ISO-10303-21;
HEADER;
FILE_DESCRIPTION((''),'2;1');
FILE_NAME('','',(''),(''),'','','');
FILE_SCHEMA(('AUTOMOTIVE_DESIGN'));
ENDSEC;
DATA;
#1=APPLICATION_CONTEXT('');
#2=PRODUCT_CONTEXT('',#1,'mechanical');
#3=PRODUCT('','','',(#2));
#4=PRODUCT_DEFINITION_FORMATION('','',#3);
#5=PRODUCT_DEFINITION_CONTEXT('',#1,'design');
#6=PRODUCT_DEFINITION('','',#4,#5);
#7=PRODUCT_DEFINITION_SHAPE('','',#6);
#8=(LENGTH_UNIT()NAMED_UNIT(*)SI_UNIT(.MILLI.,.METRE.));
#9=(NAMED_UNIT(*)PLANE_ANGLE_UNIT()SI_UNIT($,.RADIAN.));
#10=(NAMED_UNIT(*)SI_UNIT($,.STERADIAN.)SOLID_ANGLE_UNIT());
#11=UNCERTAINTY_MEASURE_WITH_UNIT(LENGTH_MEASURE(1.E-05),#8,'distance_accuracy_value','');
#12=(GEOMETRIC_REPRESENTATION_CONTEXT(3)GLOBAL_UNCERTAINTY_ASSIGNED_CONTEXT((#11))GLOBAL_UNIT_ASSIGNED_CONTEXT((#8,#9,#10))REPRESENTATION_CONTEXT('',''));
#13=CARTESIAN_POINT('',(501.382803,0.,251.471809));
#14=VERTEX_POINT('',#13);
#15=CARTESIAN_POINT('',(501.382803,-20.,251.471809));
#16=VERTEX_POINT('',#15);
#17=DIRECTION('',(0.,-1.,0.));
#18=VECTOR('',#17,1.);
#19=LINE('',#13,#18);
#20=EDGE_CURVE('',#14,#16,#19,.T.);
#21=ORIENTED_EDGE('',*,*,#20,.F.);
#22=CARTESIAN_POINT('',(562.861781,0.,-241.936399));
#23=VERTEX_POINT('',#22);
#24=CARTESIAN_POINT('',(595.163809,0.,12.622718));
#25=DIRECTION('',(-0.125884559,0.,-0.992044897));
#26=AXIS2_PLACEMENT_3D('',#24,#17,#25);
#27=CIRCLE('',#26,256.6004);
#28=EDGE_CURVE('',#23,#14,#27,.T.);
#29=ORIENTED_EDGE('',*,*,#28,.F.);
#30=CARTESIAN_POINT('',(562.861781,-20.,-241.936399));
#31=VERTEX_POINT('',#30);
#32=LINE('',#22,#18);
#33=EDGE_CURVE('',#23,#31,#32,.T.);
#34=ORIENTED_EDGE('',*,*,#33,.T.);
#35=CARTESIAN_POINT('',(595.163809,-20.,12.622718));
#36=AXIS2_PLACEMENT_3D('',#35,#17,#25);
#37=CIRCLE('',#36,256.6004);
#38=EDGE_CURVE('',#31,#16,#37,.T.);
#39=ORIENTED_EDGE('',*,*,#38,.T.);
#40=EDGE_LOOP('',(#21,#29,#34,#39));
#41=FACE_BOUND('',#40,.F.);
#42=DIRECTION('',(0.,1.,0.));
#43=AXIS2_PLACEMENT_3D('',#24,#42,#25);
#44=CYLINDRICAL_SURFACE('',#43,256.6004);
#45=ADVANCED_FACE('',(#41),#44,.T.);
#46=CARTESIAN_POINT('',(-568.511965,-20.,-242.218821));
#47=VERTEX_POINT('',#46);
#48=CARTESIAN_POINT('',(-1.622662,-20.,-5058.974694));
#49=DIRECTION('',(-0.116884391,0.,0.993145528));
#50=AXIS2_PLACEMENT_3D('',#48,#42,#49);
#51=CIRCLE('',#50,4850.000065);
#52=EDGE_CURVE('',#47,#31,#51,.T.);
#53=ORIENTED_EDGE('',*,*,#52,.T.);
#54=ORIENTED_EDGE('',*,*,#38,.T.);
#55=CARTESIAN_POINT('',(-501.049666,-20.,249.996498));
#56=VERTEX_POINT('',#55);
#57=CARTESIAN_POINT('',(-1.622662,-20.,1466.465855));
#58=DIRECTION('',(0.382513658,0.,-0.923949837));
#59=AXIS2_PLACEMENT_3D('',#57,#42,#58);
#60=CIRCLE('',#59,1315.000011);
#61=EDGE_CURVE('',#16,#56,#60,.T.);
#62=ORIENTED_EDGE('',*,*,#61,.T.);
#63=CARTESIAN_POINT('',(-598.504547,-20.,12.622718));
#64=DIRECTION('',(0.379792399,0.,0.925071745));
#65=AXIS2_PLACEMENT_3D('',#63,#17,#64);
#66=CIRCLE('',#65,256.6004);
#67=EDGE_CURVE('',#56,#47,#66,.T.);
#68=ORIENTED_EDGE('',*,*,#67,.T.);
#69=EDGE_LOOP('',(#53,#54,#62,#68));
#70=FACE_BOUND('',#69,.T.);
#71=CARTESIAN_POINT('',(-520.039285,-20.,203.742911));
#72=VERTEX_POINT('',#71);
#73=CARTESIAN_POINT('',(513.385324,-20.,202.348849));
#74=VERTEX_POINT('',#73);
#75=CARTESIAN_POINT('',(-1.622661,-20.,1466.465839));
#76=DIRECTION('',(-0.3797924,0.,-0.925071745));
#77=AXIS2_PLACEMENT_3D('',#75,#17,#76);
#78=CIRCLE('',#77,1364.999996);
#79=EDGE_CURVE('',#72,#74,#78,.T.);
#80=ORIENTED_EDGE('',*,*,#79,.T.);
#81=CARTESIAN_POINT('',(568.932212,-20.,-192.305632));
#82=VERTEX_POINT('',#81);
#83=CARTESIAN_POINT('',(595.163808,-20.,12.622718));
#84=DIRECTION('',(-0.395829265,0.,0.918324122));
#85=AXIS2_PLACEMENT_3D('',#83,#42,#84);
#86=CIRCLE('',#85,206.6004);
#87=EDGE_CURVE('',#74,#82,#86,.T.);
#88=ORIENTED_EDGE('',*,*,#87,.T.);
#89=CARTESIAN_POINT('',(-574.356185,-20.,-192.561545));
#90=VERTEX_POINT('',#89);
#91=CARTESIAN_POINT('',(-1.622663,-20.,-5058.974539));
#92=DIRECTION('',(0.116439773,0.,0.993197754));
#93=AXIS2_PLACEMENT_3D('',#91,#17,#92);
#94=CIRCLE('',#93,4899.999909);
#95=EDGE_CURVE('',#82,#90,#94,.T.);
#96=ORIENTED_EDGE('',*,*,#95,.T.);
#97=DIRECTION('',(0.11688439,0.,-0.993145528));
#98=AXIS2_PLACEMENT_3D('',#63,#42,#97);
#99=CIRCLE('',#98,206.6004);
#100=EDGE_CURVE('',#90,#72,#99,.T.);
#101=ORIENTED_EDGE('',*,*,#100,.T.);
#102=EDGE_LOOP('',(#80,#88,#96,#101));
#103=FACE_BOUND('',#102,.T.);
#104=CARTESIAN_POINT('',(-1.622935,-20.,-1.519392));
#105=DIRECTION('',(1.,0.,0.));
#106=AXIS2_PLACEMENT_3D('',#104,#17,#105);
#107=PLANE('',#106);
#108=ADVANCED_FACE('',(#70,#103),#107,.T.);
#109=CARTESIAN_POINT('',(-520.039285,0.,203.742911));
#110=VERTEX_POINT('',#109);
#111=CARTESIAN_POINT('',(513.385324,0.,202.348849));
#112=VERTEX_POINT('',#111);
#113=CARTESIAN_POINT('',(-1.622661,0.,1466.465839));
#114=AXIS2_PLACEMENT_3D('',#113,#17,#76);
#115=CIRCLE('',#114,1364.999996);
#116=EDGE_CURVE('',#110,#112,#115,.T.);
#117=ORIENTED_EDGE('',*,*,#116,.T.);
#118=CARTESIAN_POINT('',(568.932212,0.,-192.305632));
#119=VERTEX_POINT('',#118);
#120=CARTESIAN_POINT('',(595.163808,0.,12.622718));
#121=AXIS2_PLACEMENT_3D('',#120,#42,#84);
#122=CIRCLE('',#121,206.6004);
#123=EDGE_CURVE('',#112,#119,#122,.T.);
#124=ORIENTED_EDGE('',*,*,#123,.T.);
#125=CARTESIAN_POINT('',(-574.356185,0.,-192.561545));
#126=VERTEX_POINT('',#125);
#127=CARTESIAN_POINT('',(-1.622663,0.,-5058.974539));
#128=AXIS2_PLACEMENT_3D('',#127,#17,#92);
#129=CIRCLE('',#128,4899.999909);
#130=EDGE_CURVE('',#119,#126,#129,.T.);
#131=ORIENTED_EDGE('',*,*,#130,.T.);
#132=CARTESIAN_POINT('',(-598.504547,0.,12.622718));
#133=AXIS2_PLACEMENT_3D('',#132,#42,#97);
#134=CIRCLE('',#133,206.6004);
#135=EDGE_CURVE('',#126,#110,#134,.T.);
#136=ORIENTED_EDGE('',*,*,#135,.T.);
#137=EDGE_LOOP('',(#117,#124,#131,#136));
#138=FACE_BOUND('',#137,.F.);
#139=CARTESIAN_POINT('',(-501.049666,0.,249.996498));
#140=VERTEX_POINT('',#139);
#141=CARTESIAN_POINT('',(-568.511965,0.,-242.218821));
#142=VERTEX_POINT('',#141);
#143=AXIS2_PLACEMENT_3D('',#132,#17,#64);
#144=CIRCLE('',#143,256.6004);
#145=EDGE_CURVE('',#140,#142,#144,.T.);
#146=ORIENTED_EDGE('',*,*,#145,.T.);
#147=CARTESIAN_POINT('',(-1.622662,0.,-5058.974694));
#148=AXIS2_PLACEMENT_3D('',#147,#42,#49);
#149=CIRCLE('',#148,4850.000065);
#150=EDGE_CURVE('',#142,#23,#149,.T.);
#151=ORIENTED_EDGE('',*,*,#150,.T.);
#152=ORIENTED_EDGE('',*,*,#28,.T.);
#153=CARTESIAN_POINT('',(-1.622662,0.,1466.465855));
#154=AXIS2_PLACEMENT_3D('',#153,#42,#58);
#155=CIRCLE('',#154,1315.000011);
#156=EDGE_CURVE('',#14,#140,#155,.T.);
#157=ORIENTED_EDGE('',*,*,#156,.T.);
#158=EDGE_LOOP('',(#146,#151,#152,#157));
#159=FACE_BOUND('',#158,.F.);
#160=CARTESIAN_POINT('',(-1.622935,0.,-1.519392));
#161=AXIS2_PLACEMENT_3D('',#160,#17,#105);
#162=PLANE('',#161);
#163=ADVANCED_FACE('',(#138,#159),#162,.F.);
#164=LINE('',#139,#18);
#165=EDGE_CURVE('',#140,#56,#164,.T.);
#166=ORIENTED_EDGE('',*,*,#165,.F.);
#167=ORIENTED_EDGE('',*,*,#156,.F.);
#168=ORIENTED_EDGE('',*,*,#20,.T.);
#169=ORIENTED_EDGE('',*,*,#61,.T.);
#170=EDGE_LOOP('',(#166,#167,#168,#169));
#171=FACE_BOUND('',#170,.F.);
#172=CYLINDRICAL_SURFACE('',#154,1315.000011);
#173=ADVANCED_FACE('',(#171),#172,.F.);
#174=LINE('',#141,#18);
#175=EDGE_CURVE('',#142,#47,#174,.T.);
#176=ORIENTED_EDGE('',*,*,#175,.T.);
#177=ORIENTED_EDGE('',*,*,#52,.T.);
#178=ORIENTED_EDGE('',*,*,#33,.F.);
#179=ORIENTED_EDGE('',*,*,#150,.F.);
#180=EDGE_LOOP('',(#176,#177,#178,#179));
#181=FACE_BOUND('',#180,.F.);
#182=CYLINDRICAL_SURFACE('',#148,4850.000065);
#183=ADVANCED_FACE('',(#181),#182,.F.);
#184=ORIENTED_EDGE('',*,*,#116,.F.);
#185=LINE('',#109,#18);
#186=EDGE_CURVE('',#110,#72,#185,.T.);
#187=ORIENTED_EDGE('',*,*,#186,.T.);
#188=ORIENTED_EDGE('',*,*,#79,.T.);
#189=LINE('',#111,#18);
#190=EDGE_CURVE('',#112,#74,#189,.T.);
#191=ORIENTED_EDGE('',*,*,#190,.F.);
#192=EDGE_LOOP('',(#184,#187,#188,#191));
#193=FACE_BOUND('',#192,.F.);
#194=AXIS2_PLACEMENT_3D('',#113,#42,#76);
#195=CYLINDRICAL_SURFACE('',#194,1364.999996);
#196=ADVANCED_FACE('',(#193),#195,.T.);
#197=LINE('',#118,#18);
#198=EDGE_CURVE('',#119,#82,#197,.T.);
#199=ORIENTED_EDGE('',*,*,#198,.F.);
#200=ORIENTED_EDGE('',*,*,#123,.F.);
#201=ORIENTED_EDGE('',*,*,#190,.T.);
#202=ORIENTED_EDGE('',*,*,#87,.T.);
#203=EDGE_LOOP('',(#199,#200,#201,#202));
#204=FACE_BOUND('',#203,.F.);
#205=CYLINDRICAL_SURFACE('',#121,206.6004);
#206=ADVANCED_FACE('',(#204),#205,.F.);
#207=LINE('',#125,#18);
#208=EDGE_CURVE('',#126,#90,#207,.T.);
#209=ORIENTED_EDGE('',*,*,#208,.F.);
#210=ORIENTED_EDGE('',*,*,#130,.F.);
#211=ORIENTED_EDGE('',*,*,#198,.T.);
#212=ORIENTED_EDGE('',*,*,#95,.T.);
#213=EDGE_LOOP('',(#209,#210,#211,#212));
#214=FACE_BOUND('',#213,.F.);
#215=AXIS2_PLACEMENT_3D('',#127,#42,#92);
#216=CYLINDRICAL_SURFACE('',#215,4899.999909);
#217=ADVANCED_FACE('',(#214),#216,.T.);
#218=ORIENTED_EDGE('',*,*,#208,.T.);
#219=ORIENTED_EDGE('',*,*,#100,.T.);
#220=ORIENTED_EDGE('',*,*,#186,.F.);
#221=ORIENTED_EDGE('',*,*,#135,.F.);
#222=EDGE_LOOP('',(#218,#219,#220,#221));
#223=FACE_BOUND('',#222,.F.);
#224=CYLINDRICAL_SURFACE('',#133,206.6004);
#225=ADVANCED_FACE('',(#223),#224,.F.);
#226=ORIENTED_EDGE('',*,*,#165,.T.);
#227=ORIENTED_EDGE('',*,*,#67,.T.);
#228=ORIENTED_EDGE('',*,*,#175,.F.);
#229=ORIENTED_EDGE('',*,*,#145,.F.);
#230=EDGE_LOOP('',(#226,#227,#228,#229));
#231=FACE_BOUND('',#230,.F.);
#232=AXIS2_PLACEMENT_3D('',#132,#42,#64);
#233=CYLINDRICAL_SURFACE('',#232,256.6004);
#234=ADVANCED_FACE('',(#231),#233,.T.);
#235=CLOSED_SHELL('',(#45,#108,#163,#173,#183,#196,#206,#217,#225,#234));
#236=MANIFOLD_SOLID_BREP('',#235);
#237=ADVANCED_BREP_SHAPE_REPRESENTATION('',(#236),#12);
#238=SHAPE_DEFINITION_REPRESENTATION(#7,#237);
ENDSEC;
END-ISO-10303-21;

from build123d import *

# Parameters (mm, degrees)
F1_DEPTH = 20


with BuildPart() as f1:
    # F0 (on Front) → F1 (new body)
    with BuildSketch(Plane.XZ):
        with BuildLine():
            ThreePointArc((501.382803, 251.471809), (0.312663, 151.467268), (-501.049666, 249.996498))
            ThreePointArc((-501.049666, 249.996498), (-852.728256, 47.466242), (-568.511965, -242.218821))
            ThreePointArc((-568.511965, -242.218821), (-2.833355, -208.974781), (562.861781, -241.936399))
            ThreePointArc((562.861781, -241.936399), (849.795205, 44.349953), (501.382803, 251.471809))
        make_face()
        with BuildLine():
            ThreePointArc((-574.356185, -192.561545), (-803.191367, 40.67679), (-520.039285, 203.742911))
            ThreePointArc((-520.039285, 203.742911), (-3.464008, 101.467085), (513.385324, 202.348849))
            ThreePointArc((513.385324, 202.348849), (799.747738, 41.417528), (568.932212, -192.305632))
            ThreePointArc((568.932212, -192.305632), (-2.719476, -158.974752), (-574.356185, -192.561545))
        make_face(mode=Mode.SUBTRACT)
    extrude(amount=F1_DEPTH)


solid = f1.part
